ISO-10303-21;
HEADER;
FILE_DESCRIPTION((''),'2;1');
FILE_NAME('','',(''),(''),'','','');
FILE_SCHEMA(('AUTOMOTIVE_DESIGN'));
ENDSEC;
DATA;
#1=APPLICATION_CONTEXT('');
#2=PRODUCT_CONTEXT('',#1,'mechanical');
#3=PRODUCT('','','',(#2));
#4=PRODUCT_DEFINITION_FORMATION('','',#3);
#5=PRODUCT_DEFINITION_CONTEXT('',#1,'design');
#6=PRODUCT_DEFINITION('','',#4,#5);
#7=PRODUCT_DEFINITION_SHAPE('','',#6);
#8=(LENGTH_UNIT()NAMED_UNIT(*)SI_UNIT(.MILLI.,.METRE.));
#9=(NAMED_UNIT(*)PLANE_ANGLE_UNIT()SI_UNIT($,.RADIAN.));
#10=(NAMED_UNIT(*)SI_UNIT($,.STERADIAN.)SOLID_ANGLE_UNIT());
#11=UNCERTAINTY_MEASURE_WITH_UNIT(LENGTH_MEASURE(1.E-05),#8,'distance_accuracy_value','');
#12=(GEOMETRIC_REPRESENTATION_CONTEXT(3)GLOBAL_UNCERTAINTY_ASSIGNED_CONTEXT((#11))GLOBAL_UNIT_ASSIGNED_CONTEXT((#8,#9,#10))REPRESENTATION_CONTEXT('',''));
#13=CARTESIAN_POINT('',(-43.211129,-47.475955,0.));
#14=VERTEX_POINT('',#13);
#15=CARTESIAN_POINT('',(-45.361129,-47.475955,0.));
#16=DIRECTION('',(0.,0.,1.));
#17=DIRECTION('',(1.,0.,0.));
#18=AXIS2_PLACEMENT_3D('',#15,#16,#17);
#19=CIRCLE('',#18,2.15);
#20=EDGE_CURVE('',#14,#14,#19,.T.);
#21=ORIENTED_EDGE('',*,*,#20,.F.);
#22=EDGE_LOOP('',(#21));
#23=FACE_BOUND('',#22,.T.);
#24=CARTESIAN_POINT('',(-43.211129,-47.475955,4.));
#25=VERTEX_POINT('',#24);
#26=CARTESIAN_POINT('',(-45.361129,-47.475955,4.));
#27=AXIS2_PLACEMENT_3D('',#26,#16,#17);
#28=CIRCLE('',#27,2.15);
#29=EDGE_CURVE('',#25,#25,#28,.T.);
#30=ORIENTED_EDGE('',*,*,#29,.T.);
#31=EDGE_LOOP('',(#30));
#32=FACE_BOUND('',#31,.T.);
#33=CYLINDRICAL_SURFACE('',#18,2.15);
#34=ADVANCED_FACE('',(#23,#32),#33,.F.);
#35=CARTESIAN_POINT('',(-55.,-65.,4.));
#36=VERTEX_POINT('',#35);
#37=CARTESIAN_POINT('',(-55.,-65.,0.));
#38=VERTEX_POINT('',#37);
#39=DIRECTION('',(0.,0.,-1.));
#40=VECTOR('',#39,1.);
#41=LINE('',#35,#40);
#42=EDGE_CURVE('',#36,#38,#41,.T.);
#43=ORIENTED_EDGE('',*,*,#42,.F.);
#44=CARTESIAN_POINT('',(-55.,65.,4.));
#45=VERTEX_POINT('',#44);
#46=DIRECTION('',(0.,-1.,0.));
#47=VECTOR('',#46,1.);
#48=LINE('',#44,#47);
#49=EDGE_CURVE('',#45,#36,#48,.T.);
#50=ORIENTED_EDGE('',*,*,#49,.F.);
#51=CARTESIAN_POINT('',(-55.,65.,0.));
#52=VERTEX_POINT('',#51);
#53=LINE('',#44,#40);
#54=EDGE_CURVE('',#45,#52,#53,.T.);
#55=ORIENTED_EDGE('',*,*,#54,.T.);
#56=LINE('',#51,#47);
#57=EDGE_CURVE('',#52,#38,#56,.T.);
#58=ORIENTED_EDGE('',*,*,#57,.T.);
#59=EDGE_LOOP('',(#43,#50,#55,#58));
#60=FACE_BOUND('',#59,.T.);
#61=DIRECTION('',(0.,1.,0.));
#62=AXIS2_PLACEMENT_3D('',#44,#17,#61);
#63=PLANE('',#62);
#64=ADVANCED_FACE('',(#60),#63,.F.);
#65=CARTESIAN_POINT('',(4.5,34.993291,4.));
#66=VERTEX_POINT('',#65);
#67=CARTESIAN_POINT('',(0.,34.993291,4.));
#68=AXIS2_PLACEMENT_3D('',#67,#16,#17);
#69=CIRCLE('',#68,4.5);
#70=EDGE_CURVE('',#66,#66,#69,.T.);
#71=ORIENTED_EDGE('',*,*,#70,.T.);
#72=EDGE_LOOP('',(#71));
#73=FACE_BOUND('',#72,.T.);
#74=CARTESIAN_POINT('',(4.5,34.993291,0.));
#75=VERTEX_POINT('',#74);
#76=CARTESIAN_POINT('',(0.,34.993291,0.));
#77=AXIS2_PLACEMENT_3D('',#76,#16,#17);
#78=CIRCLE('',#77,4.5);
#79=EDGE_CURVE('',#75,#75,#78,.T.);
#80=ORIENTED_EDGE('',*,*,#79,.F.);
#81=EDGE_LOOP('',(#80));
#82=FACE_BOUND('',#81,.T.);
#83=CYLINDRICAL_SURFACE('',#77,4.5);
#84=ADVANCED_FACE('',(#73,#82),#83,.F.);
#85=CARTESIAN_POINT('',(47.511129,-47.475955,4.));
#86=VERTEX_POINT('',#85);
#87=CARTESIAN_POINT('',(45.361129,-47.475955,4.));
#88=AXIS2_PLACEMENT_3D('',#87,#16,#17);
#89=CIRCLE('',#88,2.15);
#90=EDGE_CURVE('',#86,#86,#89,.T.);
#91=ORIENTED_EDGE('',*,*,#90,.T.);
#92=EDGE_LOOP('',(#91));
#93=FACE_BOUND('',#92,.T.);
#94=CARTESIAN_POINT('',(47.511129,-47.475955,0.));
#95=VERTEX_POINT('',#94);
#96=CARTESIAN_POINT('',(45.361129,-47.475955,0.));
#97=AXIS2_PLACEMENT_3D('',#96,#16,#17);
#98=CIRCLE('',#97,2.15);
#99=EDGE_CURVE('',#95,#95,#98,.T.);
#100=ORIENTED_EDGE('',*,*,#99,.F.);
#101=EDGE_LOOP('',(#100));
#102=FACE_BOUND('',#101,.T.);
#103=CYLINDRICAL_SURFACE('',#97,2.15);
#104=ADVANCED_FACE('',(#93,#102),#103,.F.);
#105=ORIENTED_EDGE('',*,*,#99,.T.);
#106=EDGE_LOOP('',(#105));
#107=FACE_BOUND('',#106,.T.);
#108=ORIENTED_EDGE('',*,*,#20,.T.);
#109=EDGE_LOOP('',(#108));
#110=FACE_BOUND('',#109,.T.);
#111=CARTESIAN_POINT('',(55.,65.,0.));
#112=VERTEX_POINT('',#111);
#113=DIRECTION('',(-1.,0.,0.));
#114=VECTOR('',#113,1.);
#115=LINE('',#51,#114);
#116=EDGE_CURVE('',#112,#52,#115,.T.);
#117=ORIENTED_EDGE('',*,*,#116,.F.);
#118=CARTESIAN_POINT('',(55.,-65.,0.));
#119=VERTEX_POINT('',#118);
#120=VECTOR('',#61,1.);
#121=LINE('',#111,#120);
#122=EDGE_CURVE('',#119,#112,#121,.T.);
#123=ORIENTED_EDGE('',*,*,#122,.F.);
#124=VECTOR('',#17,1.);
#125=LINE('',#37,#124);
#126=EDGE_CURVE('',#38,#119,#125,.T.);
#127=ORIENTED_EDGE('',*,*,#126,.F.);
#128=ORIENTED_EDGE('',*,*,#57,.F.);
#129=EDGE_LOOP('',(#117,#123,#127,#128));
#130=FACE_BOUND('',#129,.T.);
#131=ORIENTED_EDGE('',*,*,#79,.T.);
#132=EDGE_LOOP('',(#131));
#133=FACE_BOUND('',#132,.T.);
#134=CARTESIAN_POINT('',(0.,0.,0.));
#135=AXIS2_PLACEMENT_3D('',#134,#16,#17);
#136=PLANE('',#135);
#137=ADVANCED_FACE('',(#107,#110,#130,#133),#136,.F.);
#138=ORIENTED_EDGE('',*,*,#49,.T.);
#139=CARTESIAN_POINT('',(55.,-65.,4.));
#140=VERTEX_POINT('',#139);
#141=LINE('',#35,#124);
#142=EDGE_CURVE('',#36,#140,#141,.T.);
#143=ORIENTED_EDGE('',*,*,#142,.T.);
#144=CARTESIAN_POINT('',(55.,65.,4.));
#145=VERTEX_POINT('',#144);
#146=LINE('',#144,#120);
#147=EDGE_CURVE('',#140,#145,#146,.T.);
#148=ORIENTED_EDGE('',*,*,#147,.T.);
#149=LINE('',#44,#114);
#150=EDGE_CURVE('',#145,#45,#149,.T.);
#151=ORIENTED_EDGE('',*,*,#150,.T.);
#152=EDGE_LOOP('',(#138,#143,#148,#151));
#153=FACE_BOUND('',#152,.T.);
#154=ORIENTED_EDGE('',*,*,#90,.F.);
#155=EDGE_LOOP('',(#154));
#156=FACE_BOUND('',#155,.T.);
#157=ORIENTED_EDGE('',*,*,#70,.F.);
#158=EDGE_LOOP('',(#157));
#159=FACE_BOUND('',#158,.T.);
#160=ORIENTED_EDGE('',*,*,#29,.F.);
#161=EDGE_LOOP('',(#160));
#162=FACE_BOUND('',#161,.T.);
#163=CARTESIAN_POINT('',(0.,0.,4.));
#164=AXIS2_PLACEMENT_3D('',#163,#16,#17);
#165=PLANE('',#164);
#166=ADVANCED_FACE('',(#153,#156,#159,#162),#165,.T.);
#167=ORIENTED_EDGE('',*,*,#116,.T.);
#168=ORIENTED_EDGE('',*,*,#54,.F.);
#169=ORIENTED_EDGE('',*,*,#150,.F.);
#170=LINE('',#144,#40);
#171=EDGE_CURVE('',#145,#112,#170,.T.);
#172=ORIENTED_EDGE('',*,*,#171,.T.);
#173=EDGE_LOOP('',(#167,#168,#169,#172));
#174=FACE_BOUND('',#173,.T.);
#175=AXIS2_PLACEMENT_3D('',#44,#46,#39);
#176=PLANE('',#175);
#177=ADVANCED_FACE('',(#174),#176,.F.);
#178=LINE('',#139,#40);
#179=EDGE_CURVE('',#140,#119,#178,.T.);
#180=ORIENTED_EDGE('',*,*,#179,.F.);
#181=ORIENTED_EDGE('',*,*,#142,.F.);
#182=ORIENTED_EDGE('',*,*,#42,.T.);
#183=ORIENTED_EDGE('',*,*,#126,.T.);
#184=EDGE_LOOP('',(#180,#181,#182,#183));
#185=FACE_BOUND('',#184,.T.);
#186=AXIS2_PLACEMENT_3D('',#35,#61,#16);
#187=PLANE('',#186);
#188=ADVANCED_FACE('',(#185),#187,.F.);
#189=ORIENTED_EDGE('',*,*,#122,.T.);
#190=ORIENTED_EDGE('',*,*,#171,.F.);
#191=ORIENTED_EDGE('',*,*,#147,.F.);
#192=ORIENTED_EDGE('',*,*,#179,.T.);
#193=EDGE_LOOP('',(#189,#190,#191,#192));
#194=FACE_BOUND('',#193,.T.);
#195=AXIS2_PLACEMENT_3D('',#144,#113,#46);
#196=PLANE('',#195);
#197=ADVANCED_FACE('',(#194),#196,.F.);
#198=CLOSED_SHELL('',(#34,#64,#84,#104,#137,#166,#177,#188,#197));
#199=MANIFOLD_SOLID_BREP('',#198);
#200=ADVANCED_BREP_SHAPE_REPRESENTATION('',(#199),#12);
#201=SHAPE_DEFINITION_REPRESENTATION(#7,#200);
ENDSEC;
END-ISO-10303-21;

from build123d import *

# Parameters (mm, degrees)
SKETCH1_W           = 110
SKETCH1_H           = 130
BOSS_EXTRUDE1_DEPTH = 4
SKETCH2_R           = 4.5
CUT_EXTRUDE1_DEPTH  = 4
SKETCH4_R           = 2.15
CUT_EXTRUDE2_DEPTH  = 86.240835285
SKETCH5_R           = 2.15
CUT_EXTRUDE3_DEPTH  = 86.240835285


with BuildPart() as part:
    # Sketch1 → Boss-Extrude1 (new body)
    with BuildSketch(Plane.XY):
        Rectangle(SKETCH1_W, SKETCH1_H)
    extrude(amount=BOSS_EXTRUDE1_DEPTH)

    # Sketch2 → Cut-Extrude1 (cut)
    with BuildSketch(Plane.XY.offset(4)):
        with Locations((0, 34.993291231)):
            Circle(SKETCH2_R)
    extrude(amount=-CUT_EXTRUDE1_DEPTH, mode=Mode.SUBTRACT)

    # Sketch4 → Cut-Extrude2 (cut, through all)
    with BuildSketch(Plane.XY.offset(4)):
        with Locations((-45.36112854, -47.475954891)):
            Circle(SKETCH4_R)
    extrude(amount=-CUT_EXTRUDE2_DEPTH, mode=Mode.SUBTRACT)

    # Sketch5 → Cut-Extrude3 (cut, through all)
    with BuildSketch(Plane.XY.offset(4)):
        with Locations((45.36112854, -47.475954891)):
            Circle(SKETCH5_R)
    extrude(amount=-CUT_EXTRUDE3_DEPTH, mode=Mode.SUBTRACT)


solid = part.part
